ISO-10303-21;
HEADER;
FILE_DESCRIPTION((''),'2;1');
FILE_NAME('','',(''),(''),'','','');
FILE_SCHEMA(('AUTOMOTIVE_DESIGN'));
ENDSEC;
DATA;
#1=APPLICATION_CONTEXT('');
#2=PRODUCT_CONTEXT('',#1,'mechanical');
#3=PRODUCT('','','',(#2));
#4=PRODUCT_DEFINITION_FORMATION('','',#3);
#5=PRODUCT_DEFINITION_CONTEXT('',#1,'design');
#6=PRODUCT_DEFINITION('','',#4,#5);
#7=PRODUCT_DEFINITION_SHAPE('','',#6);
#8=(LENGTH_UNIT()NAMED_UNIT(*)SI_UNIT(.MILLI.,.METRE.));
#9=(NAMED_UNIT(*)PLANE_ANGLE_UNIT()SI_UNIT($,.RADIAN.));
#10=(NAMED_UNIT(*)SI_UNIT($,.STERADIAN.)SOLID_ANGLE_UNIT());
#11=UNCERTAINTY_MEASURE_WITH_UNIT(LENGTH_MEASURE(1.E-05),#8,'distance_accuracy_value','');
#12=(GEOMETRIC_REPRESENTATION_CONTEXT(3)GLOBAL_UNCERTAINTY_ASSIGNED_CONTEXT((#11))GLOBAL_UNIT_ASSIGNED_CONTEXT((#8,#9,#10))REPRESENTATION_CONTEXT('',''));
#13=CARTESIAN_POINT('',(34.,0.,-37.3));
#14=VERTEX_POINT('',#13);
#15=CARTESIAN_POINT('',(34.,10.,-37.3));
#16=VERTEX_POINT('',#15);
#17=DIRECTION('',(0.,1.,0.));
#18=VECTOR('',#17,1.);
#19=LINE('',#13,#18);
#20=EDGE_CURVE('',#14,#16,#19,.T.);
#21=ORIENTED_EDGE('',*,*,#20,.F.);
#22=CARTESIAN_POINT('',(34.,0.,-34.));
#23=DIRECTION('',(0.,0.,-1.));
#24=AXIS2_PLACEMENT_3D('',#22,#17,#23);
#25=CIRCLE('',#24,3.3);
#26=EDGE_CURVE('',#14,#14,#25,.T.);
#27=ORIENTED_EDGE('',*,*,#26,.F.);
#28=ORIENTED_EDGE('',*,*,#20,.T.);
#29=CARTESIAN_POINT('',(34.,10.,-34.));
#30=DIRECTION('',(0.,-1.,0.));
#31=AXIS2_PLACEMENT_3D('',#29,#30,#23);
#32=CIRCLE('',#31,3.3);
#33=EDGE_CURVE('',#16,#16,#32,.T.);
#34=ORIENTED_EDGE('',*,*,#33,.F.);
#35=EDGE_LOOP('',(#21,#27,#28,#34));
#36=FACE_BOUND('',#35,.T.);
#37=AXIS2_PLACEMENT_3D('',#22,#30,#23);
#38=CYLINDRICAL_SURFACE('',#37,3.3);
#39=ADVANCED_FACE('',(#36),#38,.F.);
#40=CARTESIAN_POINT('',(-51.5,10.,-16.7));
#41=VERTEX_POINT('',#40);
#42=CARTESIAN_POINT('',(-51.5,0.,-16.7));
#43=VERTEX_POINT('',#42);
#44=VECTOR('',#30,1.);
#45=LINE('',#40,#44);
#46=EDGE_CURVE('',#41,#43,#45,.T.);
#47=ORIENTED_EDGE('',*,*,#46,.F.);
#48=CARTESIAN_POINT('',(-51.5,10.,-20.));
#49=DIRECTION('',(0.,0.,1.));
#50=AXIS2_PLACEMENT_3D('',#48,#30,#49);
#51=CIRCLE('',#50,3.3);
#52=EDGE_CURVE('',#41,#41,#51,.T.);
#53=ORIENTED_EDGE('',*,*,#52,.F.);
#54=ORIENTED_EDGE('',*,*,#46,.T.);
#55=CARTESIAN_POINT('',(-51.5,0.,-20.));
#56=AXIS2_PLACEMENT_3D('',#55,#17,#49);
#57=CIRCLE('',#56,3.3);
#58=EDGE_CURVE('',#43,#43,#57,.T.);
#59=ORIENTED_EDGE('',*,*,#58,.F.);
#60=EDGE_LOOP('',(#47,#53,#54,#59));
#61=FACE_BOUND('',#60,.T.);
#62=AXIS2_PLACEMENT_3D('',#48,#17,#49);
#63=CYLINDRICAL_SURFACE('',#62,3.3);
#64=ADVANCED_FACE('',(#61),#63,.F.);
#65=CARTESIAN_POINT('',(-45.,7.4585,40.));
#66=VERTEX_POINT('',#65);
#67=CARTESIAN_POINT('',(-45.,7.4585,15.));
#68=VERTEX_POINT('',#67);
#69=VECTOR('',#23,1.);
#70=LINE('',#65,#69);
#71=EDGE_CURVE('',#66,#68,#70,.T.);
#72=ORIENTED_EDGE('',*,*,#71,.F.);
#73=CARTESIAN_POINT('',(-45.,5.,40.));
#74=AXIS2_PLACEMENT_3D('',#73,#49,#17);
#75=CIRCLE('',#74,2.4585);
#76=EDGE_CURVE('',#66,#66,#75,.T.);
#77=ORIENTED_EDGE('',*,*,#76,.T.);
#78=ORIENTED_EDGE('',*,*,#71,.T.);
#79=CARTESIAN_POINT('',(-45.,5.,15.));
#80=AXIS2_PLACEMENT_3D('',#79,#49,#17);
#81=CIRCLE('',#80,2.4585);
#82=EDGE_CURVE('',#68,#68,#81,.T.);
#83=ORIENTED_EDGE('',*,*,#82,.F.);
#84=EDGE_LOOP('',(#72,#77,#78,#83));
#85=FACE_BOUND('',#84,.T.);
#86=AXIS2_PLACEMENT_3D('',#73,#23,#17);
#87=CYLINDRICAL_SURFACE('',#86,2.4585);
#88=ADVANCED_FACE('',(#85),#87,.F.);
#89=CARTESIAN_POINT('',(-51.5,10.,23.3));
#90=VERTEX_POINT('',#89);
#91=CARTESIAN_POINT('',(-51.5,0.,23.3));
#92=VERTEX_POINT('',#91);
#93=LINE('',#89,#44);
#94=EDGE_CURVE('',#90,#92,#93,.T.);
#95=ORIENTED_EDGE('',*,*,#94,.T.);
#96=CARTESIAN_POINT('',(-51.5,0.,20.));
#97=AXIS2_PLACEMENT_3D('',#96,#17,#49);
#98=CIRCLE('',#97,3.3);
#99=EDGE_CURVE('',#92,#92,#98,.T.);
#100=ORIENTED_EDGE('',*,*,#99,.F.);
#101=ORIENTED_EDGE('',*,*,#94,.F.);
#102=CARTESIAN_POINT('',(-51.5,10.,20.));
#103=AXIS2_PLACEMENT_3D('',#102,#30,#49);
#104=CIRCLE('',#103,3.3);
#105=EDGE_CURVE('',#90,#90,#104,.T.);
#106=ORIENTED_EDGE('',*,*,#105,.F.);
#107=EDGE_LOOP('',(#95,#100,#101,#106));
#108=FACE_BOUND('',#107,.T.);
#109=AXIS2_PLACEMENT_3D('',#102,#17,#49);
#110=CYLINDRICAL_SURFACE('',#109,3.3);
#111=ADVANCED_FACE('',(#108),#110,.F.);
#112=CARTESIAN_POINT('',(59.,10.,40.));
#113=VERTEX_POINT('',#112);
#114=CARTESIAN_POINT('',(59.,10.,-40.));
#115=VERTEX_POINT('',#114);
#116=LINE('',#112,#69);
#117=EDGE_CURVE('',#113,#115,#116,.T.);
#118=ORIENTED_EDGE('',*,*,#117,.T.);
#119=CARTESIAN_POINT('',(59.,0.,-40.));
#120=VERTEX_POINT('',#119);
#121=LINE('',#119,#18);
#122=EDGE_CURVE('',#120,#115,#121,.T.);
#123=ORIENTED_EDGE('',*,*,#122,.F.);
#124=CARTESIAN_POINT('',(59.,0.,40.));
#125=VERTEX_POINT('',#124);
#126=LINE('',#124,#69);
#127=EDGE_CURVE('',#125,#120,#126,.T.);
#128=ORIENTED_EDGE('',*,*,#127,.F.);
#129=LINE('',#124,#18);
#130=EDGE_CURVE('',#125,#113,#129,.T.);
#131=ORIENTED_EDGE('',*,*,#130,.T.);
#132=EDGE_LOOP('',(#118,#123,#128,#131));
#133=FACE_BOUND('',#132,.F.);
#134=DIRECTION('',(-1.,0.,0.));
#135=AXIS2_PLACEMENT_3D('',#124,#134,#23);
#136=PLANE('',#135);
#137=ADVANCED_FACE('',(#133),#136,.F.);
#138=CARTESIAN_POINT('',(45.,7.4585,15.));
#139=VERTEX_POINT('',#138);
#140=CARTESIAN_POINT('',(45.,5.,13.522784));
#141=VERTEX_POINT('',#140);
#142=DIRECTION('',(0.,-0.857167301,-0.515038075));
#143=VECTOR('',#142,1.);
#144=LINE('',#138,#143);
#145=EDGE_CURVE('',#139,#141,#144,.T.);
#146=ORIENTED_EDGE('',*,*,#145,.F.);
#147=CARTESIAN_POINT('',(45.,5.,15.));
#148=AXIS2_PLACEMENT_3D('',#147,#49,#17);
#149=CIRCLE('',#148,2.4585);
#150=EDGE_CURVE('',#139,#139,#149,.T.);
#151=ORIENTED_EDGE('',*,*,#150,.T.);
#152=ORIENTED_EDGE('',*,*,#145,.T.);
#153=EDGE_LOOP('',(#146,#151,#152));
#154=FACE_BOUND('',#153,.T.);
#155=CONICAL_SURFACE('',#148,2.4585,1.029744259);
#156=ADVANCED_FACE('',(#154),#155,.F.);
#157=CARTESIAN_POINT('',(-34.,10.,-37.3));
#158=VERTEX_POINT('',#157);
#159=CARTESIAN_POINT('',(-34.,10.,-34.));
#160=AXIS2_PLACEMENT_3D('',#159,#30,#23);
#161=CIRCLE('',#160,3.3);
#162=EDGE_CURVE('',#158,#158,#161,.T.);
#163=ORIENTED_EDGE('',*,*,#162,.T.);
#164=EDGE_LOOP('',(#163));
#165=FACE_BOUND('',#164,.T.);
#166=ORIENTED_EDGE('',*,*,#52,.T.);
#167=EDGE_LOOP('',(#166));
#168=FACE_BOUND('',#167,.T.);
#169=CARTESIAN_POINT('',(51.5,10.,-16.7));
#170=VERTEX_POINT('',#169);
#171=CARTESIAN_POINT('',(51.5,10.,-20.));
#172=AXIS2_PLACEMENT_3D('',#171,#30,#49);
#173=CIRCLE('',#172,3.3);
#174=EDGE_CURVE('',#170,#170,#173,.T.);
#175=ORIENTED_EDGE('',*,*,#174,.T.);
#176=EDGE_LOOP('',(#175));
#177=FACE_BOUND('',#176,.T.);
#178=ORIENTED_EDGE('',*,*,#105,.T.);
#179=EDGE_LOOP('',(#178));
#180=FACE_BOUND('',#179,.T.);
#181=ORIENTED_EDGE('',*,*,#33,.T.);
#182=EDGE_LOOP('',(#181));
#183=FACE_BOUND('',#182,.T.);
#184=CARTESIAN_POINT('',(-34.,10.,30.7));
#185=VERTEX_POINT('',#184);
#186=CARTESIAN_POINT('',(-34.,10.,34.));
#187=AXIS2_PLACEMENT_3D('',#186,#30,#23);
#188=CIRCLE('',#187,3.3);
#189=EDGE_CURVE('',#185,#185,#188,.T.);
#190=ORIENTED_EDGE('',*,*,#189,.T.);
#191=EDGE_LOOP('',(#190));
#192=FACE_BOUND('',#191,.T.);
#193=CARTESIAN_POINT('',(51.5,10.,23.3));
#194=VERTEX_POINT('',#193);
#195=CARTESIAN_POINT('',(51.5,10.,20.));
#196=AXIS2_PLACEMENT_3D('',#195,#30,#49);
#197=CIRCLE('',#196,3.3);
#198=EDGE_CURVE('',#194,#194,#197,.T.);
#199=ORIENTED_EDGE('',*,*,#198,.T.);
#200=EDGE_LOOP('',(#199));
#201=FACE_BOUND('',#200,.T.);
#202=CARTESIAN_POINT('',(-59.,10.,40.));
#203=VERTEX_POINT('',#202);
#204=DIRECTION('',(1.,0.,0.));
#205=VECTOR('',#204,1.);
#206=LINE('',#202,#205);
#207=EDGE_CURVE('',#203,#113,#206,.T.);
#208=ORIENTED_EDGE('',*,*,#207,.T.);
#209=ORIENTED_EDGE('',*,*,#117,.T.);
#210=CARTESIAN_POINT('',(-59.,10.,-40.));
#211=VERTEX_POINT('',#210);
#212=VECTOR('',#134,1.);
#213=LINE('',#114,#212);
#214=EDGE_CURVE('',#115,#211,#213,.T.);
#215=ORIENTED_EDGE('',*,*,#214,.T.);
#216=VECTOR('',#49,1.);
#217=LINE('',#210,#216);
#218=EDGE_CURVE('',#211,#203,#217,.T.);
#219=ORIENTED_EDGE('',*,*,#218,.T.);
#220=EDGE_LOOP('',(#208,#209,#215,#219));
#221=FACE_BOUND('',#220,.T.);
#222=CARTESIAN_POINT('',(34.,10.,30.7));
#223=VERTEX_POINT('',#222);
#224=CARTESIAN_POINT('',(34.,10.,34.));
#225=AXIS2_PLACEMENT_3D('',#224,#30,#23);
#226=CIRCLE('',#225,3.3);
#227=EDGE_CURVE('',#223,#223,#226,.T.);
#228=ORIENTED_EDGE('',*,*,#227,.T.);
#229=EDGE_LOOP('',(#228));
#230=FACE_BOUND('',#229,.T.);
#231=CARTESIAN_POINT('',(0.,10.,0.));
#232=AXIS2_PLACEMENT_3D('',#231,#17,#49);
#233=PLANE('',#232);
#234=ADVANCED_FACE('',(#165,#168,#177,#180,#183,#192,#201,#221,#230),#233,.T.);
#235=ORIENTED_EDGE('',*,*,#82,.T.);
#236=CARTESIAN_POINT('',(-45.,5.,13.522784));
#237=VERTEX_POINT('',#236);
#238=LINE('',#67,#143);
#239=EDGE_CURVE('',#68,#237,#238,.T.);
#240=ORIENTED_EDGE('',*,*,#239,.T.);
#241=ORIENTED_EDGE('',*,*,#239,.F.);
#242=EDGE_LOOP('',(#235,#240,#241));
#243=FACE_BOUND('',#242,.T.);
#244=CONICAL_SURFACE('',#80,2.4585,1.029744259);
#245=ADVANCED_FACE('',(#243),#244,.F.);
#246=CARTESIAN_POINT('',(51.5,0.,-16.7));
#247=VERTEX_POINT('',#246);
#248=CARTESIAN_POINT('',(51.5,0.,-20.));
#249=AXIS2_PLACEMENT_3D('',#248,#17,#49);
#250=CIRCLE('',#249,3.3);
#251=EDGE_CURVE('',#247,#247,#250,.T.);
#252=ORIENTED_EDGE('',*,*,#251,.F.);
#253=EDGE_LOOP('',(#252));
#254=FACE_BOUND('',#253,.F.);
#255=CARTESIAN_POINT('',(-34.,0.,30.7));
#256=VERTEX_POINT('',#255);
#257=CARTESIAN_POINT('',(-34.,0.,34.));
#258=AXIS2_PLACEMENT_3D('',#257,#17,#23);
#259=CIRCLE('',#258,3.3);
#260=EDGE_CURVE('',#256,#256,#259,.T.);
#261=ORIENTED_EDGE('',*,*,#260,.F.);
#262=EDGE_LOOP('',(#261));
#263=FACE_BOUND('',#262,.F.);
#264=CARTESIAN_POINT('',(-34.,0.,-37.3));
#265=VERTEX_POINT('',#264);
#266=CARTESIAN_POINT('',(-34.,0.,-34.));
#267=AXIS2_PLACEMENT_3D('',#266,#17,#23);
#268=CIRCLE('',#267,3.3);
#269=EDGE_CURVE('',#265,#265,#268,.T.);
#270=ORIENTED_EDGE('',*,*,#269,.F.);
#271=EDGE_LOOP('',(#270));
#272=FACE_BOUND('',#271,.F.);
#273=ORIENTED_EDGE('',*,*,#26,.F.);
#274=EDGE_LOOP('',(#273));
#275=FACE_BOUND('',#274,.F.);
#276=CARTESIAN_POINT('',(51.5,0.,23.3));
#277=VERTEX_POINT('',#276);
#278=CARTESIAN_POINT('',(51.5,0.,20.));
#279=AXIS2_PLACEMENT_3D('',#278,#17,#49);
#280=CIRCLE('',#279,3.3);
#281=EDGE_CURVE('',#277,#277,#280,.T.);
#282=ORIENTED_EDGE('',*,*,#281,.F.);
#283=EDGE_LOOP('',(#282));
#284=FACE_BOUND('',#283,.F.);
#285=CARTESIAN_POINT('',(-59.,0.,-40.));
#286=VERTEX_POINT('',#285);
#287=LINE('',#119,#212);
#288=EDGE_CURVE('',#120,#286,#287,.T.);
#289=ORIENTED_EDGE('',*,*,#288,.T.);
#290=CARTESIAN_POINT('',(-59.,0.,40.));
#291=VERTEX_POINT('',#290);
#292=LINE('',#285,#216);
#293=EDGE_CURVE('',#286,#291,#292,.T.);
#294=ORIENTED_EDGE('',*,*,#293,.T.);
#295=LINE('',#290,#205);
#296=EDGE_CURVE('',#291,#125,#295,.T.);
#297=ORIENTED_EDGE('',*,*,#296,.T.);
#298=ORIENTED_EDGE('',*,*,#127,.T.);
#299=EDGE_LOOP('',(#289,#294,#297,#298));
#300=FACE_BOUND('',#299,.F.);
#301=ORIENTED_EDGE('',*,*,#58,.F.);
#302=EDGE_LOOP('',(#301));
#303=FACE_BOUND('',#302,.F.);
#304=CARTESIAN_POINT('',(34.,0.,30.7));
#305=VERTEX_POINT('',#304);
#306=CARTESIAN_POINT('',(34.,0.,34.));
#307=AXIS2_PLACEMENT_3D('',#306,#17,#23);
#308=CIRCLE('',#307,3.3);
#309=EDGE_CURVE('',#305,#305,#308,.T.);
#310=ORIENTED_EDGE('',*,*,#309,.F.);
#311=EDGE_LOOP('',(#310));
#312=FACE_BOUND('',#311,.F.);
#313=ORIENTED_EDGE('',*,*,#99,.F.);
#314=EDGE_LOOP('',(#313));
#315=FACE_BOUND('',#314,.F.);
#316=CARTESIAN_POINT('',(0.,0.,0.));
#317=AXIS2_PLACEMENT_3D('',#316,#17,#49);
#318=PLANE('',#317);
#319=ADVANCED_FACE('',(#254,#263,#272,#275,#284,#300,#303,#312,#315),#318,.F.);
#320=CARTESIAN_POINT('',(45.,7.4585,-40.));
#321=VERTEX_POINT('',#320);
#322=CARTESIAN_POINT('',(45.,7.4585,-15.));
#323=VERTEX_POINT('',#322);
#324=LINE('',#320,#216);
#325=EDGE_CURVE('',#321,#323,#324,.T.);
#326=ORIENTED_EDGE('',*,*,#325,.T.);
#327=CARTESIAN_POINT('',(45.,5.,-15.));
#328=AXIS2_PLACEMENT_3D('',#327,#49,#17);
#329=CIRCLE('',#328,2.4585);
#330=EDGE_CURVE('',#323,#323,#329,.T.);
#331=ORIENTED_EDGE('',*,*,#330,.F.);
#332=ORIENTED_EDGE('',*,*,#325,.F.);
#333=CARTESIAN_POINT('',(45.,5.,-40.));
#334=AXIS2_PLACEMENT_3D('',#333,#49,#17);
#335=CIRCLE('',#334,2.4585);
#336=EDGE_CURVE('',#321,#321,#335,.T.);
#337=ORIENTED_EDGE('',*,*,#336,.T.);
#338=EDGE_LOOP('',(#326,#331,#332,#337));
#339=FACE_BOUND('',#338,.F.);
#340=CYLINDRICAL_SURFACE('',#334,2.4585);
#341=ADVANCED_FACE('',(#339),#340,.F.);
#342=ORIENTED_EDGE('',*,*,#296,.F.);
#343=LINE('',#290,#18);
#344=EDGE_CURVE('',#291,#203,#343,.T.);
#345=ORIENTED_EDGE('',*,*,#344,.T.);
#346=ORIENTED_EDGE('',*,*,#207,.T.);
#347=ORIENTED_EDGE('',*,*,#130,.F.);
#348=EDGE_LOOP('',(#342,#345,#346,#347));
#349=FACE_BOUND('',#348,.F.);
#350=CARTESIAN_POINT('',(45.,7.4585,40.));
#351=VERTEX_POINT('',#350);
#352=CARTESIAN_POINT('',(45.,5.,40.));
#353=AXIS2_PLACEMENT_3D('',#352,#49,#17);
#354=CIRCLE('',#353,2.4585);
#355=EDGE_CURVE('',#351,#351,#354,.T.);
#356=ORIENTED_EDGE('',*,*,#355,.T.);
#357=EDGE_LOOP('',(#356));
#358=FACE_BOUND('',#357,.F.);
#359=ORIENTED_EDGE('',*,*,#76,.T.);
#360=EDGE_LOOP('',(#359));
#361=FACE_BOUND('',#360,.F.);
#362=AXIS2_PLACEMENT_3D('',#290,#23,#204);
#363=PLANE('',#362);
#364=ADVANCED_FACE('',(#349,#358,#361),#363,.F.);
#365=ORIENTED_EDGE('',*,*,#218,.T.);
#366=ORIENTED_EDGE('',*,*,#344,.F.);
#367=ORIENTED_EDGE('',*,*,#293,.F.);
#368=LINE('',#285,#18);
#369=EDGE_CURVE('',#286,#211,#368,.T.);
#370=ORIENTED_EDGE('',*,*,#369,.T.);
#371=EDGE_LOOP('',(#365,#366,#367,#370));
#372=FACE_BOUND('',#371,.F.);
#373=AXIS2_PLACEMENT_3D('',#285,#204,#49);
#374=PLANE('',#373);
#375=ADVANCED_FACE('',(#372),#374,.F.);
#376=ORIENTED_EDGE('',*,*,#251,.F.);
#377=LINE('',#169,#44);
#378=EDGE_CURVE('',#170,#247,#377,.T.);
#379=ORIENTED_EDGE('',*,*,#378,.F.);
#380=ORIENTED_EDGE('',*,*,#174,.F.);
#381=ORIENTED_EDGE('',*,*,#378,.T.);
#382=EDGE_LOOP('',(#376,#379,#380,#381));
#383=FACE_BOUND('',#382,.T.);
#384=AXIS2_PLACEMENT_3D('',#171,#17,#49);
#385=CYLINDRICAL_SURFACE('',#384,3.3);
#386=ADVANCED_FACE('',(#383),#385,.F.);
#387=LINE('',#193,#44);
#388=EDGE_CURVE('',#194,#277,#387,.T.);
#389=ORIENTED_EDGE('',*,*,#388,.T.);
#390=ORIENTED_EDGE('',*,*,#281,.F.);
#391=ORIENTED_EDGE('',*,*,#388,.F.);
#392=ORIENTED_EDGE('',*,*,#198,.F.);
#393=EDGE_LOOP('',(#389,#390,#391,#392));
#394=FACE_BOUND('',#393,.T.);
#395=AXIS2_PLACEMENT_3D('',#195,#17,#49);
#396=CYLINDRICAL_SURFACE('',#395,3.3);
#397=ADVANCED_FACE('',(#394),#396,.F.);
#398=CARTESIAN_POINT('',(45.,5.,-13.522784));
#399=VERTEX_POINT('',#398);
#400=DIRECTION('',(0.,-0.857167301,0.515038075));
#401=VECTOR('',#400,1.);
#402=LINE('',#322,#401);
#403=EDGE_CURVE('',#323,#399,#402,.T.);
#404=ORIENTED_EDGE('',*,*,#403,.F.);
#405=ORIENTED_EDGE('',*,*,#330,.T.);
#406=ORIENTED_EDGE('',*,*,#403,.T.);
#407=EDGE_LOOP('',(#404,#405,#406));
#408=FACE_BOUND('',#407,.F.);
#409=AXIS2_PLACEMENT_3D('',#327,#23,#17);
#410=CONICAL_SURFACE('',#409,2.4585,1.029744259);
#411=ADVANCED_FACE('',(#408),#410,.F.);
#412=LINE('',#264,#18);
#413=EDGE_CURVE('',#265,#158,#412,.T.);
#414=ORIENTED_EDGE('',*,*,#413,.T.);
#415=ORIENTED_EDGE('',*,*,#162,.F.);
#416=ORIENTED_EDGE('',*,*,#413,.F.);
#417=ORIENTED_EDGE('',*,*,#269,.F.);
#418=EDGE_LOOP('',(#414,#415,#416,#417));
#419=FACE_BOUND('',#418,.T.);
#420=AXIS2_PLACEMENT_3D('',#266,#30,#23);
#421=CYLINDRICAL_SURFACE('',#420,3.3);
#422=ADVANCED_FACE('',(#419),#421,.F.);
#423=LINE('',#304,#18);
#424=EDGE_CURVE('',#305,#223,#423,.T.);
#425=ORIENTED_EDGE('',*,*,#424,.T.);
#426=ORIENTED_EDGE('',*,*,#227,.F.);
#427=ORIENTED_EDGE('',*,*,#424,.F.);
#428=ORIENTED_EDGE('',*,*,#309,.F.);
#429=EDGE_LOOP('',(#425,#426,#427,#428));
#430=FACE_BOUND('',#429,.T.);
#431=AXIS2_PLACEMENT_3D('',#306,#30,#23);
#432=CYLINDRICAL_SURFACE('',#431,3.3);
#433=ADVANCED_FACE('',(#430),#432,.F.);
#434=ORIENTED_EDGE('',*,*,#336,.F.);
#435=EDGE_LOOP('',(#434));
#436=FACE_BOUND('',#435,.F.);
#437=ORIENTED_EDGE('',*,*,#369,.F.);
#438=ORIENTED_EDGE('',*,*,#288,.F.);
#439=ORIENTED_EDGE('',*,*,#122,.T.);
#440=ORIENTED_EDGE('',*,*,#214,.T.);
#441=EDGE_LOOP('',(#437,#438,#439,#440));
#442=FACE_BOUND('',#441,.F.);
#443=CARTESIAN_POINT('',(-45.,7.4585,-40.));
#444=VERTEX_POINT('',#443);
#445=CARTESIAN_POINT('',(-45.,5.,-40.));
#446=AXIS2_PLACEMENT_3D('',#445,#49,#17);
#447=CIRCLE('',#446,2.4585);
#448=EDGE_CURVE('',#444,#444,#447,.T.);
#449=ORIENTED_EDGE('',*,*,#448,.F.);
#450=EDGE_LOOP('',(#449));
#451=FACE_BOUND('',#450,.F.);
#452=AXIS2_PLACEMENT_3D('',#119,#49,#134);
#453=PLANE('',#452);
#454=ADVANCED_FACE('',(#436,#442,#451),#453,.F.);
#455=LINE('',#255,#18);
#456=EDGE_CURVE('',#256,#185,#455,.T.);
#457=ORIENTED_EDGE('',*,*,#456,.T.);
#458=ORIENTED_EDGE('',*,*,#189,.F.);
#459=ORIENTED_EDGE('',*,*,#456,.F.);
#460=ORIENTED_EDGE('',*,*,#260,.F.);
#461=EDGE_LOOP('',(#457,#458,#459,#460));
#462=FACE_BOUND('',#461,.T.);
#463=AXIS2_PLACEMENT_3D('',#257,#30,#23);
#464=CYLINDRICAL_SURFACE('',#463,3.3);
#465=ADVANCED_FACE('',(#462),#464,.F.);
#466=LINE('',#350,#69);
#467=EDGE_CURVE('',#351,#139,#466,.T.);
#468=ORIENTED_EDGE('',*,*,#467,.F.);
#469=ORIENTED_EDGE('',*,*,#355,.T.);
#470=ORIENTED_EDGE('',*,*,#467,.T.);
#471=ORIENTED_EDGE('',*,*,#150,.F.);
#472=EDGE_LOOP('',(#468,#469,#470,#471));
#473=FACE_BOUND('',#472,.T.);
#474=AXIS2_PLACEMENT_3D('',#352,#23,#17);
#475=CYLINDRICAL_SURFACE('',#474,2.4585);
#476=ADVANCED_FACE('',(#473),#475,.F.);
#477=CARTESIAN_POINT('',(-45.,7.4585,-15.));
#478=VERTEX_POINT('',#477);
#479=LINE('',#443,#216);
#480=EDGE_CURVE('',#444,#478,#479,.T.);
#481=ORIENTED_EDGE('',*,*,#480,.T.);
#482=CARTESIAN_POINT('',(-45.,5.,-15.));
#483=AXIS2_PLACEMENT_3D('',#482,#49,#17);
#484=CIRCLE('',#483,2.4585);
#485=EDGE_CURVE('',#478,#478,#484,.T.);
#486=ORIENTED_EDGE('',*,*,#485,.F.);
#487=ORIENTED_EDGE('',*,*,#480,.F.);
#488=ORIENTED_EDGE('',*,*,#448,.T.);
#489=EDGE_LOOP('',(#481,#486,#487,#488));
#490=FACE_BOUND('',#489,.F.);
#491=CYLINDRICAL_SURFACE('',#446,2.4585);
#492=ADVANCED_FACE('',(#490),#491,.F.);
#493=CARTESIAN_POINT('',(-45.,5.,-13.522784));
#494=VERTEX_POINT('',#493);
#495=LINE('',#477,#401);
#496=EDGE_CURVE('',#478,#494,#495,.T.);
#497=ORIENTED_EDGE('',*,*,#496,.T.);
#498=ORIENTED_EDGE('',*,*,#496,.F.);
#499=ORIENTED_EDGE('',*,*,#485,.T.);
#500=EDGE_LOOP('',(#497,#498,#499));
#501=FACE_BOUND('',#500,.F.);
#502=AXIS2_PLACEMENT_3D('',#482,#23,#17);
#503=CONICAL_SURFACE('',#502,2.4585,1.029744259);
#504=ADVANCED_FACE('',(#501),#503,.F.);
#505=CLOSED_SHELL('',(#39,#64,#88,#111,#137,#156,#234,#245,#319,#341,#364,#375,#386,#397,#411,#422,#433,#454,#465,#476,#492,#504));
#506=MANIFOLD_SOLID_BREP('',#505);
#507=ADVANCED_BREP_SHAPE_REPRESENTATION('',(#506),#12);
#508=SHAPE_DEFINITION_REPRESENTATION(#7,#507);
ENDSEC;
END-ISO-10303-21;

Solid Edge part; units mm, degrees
sketch "Sketch1" plane through (0, 0, 0) normal (0, -1, 0) x (1, 0, 0)
  line L0 (-59, -40) -> (-59, 40)
  line L1 (-59, 40) -> (59, 40)
  line L2 (59, 40) -> (59, -40)
  line L3 (59, -40) -> (-59, -40)
extrude "Protrusion1" add sketch "Sketch1" against normal blind 10
extrude "Extrusionsausschnitt_1" [suppressed]
hole "Bohrung_1" at (34, 0, -34) direction (0, 1, 0) diameter 6.6 end up to next
hole "Hole1" at (-34, 0, -34) direction (0, 1, 0) diameter 6.6 end up to next
hole "Hole2" at (-34, 0, 34) direction (0, 1, 0) diameter 6.6 end up to next
hole "Hole3" at (34, 0, 34) direction (0, 1, 0) diameter 6.6 end up to next
hole "Bohrung_5" at (51.5, 10, -20) direction (0, -1, 0) diameter 6.6 end up to next
hole "Hole4" at (-51.5, 10, -20) direction (0, -1, 0) diameter 6.6 end up to next
hole "Hole5" at (-51.5, 10, 20) direction (0, -1, 0) diameter 6.6 end up to next
hole "Hole6" at (51.5, 10, 20) direction (0, -1, 0) diameter 6.6 end up to next
hole "Bohrung_9" at (45, 5, -40) direction (0, 0, 1) diameter 4.917 depth 25 tip angle 118 thread major 6 thread length 20
hole "Hole7" at (-45, 5, -40) direction (0, 0, 1) diameter 4.917 depth 25 tip angle 118 thread major 6 thread length 20
mirror "Mirror1" about plane through (0, 0, 0) normal (0, 0, -1) of "Bohrung_9", "Hole7"
